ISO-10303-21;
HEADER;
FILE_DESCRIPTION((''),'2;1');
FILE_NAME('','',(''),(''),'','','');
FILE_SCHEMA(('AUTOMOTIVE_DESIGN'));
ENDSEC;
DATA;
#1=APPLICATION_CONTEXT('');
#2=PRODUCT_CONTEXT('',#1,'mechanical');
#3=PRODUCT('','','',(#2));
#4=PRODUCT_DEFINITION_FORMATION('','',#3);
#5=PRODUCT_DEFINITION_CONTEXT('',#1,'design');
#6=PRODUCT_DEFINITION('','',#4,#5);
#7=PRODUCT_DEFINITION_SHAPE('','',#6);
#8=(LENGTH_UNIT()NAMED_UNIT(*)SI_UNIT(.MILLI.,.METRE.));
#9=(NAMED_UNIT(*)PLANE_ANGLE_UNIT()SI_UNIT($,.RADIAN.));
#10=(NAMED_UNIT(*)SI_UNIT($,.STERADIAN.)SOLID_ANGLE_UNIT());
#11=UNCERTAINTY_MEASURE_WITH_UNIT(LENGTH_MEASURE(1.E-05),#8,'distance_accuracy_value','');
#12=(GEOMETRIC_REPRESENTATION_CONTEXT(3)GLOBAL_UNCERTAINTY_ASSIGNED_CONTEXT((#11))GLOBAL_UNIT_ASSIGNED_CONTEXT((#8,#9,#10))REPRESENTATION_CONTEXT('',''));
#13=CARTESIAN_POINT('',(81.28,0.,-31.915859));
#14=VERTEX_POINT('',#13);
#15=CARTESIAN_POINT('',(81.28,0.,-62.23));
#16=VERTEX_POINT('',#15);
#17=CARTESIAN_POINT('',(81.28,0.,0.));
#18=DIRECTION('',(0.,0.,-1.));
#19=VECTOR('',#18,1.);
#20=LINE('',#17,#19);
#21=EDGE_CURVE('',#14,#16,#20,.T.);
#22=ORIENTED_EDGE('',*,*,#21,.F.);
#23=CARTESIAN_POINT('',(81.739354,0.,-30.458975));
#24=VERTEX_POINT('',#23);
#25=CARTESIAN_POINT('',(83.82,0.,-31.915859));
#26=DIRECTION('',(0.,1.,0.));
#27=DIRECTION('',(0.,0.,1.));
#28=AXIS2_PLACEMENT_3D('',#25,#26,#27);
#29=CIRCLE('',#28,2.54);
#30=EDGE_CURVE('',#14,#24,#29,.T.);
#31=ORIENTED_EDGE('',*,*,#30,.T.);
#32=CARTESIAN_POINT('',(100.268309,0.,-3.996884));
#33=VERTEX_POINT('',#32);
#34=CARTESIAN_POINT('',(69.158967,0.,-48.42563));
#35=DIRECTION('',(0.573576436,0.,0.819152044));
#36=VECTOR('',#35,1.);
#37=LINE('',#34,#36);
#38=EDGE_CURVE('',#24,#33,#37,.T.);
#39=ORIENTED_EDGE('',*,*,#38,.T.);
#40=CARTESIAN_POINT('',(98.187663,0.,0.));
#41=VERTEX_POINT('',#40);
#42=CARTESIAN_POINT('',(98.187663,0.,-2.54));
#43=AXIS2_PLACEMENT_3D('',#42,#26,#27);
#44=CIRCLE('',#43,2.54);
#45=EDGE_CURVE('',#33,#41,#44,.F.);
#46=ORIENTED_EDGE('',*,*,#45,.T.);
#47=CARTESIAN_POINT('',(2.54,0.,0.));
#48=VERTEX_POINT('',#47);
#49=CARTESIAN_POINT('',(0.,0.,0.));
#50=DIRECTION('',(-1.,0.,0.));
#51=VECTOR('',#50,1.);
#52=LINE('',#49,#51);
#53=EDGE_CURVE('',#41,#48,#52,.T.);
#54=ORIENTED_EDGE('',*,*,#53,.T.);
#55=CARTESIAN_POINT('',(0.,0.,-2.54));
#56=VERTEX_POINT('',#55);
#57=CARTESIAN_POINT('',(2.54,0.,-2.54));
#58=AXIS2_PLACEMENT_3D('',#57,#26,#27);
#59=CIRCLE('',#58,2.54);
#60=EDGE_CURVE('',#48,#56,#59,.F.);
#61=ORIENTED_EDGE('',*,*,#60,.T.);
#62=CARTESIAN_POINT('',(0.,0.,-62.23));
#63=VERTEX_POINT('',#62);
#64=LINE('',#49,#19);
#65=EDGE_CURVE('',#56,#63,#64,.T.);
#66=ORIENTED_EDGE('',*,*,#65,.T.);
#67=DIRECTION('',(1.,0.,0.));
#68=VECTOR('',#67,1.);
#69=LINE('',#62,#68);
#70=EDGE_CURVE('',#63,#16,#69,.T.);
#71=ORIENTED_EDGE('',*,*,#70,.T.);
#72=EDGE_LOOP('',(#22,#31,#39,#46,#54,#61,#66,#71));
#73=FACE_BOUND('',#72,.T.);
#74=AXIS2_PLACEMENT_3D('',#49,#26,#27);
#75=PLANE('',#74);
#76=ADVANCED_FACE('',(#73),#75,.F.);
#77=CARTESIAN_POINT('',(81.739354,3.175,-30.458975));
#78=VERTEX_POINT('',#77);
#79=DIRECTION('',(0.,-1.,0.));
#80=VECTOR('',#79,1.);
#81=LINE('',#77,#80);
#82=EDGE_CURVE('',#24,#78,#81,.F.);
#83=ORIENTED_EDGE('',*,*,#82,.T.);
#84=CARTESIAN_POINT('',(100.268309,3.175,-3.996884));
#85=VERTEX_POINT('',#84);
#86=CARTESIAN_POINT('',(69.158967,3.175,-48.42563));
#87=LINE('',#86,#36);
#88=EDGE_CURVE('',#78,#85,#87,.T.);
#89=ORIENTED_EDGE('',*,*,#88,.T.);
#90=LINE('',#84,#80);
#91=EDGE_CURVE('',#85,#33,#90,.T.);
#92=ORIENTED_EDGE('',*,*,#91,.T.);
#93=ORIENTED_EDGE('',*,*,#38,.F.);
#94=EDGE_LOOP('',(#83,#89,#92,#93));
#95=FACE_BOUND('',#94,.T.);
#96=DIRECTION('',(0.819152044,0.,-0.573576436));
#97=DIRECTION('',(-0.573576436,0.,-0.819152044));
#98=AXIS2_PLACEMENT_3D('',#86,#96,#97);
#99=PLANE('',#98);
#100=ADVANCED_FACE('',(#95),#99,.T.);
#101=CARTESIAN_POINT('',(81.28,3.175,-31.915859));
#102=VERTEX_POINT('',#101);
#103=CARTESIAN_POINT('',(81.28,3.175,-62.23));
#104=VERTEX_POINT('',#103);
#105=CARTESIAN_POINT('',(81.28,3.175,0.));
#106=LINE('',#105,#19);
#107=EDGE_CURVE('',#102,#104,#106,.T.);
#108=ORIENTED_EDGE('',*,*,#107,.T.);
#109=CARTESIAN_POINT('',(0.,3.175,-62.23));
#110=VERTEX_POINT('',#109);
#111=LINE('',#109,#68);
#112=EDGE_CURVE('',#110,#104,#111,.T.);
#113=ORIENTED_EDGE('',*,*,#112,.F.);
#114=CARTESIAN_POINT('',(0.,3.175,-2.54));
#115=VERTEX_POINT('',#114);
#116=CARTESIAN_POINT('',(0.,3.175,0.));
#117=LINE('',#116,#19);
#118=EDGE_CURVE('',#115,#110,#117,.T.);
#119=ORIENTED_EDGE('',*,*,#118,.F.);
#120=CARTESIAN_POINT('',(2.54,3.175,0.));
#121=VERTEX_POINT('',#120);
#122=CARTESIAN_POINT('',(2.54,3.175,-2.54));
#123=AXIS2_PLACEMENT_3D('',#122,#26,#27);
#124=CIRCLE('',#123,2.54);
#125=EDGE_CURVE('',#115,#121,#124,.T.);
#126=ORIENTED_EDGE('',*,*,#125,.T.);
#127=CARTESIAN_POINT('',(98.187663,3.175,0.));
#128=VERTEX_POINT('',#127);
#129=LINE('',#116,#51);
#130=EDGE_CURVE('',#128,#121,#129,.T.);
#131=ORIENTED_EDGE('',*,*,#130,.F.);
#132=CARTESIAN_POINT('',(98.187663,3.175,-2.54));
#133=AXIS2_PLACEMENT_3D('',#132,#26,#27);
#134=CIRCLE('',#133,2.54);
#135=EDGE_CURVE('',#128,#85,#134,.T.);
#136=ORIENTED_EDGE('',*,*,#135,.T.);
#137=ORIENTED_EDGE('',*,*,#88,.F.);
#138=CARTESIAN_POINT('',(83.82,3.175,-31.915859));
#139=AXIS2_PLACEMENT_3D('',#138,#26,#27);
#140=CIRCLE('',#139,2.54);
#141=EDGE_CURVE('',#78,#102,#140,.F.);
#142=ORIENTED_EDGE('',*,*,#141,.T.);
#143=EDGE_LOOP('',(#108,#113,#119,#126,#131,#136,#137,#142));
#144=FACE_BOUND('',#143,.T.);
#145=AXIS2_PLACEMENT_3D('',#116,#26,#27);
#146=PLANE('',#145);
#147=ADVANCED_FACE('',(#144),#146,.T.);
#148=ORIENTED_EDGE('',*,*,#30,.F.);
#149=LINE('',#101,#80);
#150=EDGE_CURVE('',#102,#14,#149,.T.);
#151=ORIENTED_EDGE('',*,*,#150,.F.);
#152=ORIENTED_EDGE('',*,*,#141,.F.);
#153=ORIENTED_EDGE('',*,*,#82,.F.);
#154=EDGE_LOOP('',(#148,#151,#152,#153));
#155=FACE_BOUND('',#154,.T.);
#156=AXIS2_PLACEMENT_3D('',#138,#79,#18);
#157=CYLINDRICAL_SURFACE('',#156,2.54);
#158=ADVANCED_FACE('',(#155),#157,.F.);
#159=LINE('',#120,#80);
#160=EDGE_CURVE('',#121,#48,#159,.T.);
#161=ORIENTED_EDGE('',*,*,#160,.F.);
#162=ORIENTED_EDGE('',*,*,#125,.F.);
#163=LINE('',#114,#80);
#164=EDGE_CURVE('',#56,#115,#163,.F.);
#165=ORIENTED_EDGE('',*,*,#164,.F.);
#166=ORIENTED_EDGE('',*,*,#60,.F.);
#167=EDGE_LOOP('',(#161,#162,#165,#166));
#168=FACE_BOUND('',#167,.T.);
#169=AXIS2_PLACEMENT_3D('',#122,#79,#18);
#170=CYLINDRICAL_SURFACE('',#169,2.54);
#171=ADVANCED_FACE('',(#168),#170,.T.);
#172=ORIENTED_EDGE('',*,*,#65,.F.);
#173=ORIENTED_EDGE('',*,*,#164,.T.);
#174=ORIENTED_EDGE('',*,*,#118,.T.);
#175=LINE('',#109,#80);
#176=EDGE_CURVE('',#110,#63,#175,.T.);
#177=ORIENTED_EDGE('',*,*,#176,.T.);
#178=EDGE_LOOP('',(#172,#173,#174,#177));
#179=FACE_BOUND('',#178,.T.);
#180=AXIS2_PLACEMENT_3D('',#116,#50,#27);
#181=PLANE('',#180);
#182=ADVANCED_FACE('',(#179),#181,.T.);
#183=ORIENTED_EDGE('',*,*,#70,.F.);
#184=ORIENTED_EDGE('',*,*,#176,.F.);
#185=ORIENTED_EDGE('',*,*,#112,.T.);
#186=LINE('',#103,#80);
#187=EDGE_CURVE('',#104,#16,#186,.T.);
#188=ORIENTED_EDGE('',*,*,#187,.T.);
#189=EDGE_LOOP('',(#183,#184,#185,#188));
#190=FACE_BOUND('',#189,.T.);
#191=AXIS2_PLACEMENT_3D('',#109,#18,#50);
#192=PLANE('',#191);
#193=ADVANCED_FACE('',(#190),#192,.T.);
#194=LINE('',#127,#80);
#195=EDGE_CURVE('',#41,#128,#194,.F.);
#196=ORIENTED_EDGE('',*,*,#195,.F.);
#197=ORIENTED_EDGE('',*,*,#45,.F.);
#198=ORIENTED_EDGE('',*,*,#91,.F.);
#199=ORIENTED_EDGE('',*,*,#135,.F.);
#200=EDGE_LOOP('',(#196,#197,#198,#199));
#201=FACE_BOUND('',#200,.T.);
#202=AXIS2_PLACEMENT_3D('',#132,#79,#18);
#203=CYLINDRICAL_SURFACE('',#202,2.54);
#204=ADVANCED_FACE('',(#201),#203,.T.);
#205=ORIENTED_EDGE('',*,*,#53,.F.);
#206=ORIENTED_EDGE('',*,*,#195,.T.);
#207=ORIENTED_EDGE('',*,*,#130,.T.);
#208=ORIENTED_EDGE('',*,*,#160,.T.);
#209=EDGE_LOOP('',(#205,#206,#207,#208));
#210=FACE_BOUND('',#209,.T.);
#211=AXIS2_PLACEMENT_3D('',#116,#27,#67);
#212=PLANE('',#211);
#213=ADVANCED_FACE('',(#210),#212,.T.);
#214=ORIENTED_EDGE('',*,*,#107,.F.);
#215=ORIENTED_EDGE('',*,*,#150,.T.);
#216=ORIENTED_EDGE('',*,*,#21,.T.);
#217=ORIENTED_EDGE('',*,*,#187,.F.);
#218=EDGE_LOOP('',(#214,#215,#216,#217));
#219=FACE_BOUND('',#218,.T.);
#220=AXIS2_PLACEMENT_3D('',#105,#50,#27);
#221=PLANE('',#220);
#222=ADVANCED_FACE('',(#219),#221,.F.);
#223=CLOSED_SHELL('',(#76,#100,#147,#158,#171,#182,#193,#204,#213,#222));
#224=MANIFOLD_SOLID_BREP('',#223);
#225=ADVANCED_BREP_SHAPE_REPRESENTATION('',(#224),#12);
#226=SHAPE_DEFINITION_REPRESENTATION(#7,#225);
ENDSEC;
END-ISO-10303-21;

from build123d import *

# Parameters (mm, degrees)
SKETCH1_W           = 81.28
SKETCH1_H           = 62.23
BOSS_EXTRUDE1_DEPTH = 3.175
FILLET1_R           = 2.54


with BuildPart() as part:
    # Sketch1 → Boss-Extrude1 (new body)
    with BuildSketch(Plane(origin=(0, 0, 0), x_dir=(1, 0, 0), z_dir=(0, 1, 0))):
        Polygon((103.066957551, 0), (81.28, 31.115), (81.28, 0), align=None)
        with Locations((40.64, 31.115)):
            Rectangle(SKETCH1_W, SKETCH1_H)
    extrude(amount=BOSS_EXTRUDE1_DEPTH)

    # Fillet1
    fillet1_edges = [part.edges().sort_by_distance(p)[0] for p in [
        (0, 1.5875, 0),
        (81.28, 1.5875, -31.115),
        (103.066957551, 1.5875, 0),
    ]]
    fillet(fillet1_edges, radius=FILLET1_R)


solid = part.part
